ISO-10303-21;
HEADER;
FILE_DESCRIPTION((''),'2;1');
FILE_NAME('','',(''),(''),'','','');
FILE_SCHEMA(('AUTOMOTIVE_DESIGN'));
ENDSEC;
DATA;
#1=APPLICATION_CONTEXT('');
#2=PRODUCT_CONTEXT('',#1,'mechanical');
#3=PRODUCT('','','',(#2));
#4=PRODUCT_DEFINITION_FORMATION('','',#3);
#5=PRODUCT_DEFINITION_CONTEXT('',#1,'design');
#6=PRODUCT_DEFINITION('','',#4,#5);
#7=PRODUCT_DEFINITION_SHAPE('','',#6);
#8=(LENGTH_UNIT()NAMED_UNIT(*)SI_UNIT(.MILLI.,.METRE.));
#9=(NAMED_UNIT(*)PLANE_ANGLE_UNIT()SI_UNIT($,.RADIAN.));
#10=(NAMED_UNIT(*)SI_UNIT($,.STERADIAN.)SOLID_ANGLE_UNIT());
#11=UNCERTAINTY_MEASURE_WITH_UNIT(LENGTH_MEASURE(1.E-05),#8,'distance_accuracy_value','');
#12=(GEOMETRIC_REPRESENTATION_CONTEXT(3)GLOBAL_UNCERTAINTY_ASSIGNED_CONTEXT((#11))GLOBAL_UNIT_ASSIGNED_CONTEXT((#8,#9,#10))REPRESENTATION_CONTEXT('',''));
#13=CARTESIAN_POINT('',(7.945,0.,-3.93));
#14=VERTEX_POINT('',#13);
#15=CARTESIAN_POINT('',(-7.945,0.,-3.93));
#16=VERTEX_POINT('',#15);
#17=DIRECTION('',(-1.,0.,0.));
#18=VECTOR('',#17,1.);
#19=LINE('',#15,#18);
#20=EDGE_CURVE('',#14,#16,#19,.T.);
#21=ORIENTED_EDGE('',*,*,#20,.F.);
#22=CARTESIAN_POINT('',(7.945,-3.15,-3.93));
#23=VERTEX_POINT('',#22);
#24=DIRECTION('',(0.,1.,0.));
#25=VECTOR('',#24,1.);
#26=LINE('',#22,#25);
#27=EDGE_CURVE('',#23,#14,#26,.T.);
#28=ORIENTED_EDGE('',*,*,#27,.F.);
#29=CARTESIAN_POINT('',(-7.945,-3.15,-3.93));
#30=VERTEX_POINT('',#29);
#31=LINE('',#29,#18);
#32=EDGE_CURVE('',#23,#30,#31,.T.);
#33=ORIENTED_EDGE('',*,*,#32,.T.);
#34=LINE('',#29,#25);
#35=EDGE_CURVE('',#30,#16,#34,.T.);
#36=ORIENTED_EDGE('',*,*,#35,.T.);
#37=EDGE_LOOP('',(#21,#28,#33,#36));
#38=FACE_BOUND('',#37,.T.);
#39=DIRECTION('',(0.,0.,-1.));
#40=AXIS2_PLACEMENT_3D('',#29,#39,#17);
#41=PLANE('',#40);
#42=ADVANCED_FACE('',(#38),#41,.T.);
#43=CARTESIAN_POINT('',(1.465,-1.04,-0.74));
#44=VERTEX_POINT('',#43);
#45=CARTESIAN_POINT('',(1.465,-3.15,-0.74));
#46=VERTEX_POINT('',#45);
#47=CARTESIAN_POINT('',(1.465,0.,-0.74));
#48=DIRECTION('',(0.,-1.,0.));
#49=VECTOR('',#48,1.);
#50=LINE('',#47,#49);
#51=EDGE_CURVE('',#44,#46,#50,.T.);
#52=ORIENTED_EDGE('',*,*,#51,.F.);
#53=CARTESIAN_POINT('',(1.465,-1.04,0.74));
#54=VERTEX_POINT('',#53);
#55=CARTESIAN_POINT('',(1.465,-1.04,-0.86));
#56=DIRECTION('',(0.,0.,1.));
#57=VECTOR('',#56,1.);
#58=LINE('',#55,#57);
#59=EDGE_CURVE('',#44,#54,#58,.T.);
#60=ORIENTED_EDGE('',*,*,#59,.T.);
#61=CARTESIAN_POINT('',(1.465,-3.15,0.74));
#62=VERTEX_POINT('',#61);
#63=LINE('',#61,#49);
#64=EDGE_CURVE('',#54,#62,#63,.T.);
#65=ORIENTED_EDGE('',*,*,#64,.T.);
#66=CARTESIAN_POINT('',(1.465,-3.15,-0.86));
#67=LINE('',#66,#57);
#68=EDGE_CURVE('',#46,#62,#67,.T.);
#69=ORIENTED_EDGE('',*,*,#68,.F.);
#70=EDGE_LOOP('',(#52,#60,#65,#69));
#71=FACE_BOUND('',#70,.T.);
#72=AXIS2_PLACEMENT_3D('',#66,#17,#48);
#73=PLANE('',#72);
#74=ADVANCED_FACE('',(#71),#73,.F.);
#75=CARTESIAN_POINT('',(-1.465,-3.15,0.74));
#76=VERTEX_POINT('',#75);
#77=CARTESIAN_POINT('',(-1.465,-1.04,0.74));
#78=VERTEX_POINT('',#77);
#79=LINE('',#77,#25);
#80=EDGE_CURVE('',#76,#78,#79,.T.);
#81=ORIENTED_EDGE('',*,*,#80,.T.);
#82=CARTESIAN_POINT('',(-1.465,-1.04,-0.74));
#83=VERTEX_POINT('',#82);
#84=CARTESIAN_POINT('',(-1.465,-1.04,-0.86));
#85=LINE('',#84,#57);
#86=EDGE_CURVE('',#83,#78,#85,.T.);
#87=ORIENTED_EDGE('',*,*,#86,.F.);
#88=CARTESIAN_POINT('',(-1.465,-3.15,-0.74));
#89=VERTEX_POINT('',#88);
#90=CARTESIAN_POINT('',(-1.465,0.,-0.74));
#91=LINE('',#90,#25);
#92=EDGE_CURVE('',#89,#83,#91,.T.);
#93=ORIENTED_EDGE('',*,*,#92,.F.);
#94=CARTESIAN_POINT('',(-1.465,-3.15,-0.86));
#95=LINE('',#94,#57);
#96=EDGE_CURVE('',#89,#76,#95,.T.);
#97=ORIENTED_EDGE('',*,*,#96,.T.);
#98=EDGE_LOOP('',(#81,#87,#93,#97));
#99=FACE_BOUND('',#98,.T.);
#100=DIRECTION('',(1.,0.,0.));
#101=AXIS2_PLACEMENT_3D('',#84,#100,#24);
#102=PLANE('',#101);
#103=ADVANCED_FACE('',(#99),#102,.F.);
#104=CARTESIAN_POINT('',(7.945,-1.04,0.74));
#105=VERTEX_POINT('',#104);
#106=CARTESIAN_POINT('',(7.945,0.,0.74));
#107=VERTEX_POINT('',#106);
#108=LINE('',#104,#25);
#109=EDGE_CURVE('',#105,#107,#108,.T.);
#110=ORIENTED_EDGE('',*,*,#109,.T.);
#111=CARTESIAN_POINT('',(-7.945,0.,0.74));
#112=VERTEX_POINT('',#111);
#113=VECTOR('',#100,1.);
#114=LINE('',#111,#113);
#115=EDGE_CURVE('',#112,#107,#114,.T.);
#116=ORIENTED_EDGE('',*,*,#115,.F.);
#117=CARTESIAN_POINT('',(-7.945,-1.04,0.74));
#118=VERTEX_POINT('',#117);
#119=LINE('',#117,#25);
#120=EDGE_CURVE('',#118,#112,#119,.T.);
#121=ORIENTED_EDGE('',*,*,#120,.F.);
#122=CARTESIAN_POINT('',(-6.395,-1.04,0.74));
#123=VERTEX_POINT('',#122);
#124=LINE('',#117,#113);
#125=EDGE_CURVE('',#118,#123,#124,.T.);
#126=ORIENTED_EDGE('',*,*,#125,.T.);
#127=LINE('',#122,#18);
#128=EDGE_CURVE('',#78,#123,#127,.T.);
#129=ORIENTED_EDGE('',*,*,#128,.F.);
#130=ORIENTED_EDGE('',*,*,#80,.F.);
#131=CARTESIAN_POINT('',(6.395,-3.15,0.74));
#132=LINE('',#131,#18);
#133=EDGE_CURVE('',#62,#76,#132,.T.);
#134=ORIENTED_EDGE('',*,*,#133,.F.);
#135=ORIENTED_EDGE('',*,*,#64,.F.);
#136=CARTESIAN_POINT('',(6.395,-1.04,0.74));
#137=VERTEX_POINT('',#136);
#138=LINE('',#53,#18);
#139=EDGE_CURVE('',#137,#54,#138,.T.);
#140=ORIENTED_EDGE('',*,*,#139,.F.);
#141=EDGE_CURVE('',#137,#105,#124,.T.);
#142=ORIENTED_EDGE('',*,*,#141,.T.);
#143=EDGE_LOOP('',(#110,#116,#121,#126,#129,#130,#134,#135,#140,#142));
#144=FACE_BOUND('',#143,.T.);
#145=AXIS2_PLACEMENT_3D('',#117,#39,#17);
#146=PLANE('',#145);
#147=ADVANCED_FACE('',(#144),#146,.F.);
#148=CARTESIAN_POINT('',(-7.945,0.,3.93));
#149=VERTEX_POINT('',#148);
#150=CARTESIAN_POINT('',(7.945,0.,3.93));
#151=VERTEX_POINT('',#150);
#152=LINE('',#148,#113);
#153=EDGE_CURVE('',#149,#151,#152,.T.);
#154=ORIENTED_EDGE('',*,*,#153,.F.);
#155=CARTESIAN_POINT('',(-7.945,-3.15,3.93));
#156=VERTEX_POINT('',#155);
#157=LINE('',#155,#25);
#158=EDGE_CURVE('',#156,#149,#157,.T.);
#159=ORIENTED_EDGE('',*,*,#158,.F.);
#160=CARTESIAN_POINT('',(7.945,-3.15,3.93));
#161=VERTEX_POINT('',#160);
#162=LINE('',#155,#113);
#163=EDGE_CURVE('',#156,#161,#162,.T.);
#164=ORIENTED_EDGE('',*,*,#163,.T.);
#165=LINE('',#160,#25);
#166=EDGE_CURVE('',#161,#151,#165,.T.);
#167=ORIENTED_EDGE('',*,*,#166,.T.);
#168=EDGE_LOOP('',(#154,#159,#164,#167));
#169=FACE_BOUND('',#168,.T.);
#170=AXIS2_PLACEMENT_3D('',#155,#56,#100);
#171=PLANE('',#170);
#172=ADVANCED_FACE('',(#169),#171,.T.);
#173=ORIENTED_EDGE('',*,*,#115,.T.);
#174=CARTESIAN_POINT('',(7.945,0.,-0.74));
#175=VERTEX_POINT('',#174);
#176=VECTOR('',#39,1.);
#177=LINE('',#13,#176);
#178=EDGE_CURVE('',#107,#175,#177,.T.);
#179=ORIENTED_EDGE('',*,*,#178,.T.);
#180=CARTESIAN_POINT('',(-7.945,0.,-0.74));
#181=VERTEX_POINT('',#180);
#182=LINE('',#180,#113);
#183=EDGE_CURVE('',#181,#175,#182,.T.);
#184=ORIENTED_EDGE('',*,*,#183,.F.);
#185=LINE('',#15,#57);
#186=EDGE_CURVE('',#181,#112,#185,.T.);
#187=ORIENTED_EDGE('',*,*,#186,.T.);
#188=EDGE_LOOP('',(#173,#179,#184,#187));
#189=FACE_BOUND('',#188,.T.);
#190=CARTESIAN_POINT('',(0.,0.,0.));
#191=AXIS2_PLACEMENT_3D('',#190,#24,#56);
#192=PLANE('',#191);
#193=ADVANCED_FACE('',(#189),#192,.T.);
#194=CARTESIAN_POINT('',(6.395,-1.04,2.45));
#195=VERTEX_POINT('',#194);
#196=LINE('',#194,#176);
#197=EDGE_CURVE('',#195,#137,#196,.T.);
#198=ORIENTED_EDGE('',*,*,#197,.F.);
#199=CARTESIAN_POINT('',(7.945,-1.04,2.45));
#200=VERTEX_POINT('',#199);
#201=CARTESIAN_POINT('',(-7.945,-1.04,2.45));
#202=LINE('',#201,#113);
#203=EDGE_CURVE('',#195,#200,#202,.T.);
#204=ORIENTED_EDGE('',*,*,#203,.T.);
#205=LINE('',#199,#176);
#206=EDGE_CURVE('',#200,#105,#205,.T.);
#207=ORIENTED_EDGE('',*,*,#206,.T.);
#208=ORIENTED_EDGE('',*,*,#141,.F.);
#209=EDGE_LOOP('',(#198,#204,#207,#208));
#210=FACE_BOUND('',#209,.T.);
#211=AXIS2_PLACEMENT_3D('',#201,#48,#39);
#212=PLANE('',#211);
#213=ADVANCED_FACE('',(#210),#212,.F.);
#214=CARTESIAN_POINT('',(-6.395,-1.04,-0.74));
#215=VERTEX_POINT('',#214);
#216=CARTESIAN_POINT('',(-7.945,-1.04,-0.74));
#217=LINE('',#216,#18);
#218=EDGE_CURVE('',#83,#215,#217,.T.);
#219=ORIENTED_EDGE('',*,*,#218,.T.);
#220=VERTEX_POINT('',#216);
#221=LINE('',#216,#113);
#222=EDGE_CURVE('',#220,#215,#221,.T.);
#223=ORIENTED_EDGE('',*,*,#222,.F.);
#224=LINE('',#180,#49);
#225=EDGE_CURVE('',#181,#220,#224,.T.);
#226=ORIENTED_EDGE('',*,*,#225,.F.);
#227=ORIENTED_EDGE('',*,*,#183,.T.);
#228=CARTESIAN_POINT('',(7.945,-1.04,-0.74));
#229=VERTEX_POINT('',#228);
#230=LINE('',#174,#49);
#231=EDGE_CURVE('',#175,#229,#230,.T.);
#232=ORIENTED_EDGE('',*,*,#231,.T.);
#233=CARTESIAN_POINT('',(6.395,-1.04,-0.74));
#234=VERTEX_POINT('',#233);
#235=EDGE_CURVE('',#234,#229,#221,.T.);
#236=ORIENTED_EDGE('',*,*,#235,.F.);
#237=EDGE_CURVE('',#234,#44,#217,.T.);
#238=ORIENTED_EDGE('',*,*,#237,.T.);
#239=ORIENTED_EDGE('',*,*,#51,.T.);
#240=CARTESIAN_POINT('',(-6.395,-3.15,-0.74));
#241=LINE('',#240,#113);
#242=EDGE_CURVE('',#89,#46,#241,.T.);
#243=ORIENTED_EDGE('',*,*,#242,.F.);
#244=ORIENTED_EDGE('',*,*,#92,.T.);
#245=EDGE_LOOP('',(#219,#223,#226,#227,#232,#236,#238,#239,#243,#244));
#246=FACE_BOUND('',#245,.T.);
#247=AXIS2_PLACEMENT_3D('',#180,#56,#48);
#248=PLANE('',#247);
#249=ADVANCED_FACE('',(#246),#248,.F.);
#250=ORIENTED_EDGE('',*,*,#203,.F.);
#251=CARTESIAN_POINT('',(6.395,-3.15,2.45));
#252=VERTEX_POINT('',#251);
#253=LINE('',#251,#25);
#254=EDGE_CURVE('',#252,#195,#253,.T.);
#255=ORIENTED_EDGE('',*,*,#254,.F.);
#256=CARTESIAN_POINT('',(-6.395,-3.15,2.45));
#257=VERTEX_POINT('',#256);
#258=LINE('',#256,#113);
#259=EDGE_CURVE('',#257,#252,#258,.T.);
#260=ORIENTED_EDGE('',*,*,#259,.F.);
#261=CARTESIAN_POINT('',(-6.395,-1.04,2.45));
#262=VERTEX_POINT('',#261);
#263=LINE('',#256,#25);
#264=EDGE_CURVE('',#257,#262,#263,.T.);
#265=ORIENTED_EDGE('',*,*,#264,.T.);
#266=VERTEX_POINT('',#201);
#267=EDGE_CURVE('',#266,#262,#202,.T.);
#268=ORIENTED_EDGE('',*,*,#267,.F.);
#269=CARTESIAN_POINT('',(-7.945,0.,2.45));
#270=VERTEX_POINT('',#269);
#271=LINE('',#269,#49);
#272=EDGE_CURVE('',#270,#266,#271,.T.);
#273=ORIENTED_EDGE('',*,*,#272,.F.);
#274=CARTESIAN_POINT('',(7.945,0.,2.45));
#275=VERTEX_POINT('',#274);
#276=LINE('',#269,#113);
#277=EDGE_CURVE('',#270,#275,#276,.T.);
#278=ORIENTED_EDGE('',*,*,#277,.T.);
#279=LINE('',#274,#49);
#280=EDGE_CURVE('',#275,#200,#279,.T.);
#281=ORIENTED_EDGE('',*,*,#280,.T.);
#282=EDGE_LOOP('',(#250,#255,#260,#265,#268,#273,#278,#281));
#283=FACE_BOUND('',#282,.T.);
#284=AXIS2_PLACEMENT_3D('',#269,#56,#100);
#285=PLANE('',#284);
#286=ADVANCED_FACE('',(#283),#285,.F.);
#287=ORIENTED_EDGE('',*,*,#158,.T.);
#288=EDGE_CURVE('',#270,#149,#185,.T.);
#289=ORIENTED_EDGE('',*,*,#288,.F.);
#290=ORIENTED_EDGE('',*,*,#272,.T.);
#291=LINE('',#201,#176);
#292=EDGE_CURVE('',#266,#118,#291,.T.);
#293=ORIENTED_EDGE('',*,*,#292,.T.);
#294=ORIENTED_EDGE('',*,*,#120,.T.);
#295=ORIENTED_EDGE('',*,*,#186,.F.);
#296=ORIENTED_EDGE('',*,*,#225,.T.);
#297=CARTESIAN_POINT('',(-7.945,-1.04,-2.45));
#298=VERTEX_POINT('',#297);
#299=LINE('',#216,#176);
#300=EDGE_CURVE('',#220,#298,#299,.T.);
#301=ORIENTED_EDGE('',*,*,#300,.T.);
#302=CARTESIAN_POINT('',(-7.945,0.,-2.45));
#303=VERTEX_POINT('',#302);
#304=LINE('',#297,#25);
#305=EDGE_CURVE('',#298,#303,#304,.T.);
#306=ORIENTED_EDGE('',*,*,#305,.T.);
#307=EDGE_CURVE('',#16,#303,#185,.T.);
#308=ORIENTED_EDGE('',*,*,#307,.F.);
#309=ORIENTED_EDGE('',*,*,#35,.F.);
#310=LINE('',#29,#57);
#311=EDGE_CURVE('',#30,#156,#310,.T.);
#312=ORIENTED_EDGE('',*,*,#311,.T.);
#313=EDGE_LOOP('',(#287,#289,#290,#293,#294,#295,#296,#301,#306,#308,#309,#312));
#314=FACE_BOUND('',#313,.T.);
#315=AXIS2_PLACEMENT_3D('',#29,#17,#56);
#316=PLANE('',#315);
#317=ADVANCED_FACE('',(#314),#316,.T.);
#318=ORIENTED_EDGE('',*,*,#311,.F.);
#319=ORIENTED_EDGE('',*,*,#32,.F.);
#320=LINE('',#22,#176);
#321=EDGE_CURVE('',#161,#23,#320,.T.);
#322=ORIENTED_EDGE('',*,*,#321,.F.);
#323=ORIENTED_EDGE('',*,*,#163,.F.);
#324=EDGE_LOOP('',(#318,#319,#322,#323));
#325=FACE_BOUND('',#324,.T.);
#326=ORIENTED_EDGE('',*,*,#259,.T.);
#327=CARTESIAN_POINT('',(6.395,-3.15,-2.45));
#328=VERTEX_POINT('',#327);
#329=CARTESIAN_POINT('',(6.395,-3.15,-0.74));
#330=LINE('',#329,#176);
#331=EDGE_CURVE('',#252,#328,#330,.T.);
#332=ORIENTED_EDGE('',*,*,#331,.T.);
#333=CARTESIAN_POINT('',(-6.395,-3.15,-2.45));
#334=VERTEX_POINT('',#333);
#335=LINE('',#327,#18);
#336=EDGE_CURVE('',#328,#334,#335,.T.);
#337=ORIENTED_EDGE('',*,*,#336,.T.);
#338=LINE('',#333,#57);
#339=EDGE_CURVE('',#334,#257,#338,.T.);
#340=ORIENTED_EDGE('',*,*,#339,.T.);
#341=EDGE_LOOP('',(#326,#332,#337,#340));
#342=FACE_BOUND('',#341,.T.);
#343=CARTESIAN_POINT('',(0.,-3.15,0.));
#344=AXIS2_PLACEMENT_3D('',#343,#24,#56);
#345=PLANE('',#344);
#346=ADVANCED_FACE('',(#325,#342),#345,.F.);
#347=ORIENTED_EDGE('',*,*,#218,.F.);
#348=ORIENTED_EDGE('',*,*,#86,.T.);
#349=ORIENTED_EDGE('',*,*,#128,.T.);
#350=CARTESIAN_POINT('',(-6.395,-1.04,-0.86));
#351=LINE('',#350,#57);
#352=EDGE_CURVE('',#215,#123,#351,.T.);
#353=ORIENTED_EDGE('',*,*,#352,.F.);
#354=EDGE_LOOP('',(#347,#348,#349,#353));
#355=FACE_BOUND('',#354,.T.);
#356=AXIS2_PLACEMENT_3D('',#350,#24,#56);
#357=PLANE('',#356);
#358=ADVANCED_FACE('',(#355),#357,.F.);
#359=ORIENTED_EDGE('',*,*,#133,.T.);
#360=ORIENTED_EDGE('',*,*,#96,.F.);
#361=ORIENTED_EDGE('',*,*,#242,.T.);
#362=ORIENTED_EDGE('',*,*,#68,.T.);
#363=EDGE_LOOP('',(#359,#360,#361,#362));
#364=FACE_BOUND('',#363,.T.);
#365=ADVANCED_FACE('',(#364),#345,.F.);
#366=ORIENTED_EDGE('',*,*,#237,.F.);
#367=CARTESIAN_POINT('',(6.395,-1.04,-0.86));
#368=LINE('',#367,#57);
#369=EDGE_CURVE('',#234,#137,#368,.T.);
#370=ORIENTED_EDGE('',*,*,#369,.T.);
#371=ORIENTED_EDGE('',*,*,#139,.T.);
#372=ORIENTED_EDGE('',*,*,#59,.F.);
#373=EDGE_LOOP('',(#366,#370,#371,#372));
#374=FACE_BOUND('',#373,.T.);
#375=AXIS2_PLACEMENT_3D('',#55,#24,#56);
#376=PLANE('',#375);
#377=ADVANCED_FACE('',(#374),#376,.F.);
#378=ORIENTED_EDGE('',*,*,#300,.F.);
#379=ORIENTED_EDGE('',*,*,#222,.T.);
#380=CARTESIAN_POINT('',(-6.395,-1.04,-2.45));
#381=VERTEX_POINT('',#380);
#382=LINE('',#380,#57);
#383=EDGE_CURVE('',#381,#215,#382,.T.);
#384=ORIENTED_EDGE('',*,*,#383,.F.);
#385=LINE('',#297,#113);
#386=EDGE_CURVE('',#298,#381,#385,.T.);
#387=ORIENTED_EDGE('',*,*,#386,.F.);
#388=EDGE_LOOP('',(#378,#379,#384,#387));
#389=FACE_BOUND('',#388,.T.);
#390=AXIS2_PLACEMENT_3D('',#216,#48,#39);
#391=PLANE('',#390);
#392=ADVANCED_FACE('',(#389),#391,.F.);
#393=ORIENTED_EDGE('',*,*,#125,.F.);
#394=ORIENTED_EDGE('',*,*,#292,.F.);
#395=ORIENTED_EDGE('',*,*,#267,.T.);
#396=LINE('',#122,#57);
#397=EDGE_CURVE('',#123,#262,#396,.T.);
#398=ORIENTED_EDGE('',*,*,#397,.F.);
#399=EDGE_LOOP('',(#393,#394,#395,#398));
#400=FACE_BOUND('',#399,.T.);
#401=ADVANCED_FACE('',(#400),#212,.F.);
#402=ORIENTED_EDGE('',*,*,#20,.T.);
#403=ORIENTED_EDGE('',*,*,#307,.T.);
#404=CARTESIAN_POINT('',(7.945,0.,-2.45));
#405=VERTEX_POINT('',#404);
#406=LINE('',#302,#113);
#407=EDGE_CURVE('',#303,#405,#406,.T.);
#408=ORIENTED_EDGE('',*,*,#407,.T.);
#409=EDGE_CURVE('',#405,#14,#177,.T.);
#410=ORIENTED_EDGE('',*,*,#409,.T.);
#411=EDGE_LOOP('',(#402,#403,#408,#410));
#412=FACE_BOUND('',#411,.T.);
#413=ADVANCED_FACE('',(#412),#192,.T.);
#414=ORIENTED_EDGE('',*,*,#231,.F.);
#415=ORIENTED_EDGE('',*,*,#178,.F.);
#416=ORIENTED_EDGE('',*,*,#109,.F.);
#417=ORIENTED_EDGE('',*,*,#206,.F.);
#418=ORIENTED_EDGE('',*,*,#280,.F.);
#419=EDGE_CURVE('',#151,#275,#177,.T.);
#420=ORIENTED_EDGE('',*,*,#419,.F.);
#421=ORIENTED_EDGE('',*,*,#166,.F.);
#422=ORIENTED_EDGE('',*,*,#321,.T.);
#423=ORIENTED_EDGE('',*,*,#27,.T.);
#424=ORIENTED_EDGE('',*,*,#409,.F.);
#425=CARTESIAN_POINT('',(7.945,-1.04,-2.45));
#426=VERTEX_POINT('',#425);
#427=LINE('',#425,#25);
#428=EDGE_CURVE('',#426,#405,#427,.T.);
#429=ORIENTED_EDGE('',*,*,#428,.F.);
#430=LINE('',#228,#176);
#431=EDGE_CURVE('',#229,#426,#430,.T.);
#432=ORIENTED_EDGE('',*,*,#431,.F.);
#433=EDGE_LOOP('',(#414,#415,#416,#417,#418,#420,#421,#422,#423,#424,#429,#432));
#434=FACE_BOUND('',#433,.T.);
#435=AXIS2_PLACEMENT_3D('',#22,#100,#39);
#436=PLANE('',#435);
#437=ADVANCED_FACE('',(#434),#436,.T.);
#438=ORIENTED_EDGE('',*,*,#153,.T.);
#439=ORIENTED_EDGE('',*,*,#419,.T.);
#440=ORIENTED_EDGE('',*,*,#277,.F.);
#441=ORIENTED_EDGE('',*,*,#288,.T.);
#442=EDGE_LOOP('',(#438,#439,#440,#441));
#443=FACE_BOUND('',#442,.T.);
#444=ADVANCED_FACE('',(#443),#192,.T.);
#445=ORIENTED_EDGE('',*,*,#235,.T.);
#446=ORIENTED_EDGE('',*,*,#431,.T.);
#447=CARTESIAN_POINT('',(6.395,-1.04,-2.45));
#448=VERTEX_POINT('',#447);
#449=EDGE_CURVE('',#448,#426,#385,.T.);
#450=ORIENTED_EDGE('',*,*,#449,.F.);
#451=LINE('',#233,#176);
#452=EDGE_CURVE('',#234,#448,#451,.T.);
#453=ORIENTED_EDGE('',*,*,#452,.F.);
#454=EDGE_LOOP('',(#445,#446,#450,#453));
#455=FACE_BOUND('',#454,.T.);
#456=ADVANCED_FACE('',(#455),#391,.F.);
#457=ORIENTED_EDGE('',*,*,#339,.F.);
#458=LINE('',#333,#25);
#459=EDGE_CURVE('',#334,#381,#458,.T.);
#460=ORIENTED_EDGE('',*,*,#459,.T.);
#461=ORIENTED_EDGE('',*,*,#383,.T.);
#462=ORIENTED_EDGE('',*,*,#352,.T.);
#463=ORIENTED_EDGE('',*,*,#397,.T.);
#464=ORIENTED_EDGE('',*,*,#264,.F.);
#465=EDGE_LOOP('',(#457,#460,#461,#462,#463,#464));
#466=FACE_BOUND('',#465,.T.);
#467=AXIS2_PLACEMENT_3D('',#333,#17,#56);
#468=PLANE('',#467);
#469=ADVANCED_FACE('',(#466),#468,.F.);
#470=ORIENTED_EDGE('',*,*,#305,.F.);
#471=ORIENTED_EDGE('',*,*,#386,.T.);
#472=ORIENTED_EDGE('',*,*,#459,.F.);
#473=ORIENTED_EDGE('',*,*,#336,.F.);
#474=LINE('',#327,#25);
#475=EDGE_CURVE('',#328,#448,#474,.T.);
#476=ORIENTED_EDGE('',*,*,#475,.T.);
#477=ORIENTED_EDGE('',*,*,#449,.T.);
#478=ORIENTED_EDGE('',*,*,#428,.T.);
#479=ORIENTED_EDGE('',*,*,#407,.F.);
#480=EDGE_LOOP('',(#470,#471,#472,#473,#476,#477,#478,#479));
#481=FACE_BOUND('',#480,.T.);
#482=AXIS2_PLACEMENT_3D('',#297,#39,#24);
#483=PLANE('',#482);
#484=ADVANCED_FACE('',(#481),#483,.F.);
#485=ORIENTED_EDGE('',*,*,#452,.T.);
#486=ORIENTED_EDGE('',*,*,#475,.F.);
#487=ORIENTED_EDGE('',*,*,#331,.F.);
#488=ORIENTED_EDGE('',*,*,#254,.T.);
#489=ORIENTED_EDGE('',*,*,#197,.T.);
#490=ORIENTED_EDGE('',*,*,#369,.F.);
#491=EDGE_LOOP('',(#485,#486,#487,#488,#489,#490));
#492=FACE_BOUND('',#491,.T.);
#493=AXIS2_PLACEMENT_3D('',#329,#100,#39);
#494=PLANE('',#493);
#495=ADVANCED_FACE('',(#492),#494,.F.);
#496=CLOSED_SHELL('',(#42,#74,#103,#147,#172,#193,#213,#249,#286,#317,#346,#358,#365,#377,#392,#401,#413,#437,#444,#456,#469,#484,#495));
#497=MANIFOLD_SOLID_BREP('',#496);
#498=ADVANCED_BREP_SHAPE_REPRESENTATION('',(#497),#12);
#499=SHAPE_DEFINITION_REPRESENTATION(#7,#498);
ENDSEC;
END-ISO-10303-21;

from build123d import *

# Parameters (mm, degrees)
SKETCH1_W           = 15.89
SKETCH1_H           = 7.86
BOSS_EXTRUDE1_DEPTH = 3.15
SKETCH2_W           = 1.71
SKETCH2_H           = 1.04
CUT_EXTRUDE1_DEPTH  = 17.669118153
SKETCH3_W           = 12.79
SKETCH3_H           = 1.71
CUT_EXTRUDE2_DEPTH  = 10.111532528
SKETCH4_W           = 4.93
SKETCH4_H           = 2.11
CUT_EXTRUDE3_DEPTH  = 1.6


with BuildPart() as part:
    # Sketch1 → Boss-Extrude1 (new body)
    with BuildSketch(Plane(origin=(0, 0, 0), x_dir=(1, 0, 0), z_dir=(0, 1, 0))):
        Rectangle(SKETCH1_W, SKETCH1_H)
    extrude(amount=-BOSS_EXTRUDE1_DEPTH)

    # Sketch2 → Cut-Extrude1 (cut, through all)
    with BuildSketch(Plane(origin=(7.945, 0, 0), x_dir=(0, 0, -1), z_dir=(1, 0, 0))):
        with Locations((1.595, -0.52)):
            Rectangle(SKETCH2_W, SKETCH2_H)
        with Locations((-1.595, -0.52)):
            Rectangle(SKETCH2_W, SKETCH2_H)
    extrude(amount=-CUT_EXTRUDE1_DEPTH, mode=Mode.SUBTRACT)

    # Sketch3 → Cut-Extrude2 (cut, through all)
    with BuildSketch(Plane(origin=(0, -1.04, 0), x_dir=(1, 0, 0), z_dir=(0, 1, 0))):
        with Locations((0, 1.595)):
            Rectangle(SKETCH3_W, SKETCH3_H)
        with Locations((0, -1.595)):
            Rectangle(SKETCH3_W, SKETCH3_H)
    extrude(amount=-CUT_EXTRUDE2_DEPTH, mode=Mode.SUBTRACT)

    # Sketch4 → Cut-Extrude3 (cut)
    with BuildSketch(Plane.XY.offset(0.74)):
        with Locations((-3.93, -2.095)):
            Rectangle(SKETCH4_W, SKETCH4_H)
        with Locations((3.93, -2.095)):
            Rectangle(SKETCH4_W, SKETCH4_H)
    extrude(amount=-CUT_EXTRUDE3_DEPTH, mode=Mode.SUBTRACT)


solid = part.part
